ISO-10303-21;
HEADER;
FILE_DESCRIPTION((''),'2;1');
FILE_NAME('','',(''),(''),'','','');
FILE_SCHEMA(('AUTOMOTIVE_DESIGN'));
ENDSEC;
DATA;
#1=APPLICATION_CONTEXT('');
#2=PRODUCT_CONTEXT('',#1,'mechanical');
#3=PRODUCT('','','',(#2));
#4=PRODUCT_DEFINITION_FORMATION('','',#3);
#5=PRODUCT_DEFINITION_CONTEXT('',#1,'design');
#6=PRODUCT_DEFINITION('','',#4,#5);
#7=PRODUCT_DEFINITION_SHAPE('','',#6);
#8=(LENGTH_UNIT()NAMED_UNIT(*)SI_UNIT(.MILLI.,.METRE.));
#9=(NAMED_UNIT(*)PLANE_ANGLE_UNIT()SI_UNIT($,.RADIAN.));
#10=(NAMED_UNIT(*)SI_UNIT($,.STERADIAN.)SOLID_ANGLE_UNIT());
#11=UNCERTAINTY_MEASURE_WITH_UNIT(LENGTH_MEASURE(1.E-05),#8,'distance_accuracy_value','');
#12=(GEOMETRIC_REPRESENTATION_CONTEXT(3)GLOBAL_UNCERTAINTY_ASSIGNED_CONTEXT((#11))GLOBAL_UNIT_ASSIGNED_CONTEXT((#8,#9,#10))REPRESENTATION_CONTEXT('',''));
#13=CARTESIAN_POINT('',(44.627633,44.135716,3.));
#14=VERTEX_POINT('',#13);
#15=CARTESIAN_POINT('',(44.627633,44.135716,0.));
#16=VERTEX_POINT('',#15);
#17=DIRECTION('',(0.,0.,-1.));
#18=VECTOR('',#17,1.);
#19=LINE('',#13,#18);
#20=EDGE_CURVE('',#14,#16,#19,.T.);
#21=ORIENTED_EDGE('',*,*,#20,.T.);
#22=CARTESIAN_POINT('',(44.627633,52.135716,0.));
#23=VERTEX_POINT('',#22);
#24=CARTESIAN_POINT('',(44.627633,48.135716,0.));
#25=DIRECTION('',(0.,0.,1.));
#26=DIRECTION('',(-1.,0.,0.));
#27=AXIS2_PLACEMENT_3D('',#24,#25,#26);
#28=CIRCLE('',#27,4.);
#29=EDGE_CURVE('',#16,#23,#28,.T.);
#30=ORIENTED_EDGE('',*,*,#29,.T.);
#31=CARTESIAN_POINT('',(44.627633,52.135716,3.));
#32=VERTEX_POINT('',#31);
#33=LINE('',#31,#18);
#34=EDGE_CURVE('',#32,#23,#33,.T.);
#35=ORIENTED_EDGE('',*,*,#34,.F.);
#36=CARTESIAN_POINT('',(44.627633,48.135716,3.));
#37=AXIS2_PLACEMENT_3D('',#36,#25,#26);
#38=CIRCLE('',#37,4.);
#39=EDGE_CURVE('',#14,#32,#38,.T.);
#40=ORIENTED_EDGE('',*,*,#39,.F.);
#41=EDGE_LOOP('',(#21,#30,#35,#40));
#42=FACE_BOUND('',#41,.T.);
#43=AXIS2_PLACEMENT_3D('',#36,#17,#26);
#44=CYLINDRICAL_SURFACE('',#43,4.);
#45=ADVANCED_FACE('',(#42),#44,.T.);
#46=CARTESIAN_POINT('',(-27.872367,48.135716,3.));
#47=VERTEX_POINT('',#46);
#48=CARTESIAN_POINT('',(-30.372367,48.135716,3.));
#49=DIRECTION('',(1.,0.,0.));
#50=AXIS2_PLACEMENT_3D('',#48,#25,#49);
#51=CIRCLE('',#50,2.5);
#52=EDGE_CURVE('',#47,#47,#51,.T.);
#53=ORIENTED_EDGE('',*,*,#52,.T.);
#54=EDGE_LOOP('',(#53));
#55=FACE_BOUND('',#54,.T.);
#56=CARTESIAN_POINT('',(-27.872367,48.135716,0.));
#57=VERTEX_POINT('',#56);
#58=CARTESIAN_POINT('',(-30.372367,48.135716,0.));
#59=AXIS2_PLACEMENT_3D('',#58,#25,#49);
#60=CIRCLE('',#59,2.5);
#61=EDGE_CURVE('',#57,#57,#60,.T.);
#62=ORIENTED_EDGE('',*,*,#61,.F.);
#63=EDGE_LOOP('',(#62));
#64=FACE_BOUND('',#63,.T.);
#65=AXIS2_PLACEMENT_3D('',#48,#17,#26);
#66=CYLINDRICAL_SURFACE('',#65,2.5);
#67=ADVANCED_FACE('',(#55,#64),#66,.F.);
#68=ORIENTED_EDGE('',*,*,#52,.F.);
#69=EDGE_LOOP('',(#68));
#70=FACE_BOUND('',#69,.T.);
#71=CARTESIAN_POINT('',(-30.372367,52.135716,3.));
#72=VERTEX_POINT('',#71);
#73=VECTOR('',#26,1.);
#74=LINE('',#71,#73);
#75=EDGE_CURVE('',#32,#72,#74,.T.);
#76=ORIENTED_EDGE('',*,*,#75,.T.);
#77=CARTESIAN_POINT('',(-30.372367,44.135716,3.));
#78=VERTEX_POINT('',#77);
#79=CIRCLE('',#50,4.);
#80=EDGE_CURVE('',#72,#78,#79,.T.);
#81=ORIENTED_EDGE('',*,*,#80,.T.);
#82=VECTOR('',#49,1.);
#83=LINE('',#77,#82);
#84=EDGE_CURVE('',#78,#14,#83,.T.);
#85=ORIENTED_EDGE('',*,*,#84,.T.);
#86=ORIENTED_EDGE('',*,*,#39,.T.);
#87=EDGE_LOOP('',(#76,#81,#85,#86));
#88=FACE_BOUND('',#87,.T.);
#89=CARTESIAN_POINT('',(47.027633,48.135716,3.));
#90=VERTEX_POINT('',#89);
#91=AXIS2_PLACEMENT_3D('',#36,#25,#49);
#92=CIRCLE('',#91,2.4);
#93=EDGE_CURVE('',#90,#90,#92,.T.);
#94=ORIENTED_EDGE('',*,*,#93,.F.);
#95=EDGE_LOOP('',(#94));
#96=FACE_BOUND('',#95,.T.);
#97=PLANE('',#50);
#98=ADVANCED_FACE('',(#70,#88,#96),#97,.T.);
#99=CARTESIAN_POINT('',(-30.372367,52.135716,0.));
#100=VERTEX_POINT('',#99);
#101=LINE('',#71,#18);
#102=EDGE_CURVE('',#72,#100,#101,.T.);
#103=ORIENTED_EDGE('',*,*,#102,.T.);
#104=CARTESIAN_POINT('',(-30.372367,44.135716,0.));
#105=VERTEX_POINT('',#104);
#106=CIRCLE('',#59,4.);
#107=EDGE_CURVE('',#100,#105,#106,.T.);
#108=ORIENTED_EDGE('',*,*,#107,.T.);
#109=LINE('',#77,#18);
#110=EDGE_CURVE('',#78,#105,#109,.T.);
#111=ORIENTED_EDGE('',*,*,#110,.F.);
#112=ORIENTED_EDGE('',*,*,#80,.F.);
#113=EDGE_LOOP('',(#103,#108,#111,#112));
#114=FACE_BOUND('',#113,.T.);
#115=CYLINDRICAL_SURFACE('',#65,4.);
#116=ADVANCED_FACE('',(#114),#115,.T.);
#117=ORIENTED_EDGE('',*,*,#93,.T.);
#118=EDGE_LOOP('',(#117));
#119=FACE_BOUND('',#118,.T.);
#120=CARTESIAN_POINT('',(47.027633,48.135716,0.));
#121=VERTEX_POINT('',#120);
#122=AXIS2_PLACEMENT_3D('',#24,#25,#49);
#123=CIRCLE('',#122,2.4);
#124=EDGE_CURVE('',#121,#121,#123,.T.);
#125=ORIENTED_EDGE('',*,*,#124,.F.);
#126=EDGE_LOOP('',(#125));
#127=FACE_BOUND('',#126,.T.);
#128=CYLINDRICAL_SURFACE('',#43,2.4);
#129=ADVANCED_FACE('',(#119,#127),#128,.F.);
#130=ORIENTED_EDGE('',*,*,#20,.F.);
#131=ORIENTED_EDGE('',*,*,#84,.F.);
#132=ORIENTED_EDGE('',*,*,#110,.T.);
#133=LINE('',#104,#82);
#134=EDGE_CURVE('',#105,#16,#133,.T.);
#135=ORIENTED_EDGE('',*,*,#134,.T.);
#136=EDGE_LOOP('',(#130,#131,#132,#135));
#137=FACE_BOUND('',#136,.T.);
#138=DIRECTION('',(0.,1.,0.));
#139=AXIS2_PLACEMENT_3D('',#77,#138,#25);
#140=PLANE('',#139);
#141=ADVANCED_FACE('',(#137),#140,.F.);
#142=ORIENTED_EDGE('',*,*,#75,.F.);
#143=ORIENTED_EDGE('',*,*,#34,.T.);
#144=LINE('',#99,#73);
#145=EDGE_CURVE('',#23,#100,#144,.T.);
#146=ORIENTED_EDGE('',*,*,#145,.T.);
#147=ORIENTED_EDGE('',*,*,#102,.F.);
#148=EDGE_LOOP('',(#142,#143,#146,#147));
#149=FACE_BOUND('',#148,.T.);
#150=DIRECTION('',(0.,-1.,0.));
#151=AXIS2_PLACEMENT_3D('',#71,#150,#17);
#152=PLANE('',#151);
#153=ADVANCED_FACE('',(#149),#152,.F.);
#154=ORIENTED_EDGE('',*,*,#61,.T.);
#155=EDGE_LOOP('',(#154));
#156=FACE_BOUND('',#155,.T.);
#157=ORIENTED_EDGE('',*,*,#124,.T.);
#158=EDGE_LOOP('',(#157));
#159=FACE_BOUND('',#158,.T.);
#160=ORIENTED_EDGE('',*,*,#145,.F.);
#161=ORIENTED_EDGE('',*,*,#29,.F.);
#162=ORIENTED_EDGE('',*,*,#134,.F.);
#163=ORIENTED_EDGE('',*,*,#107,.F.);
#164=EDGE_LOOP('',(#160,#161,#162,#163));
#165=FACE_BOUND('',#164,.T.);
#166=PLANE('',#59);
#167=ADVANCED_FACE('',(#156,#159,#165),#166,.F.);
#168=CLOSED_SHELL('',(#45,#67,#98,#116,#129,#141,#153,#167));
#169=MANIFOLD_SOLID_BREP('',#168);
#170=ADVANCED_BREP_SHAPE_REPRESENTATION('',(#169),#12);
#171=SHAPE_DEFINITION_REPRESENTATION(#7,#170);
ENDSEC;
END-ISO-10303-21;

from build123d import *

# Parameters (mm, degrees)
SKETCH1_R           = 2.5
SKETCH1_R_2         = 2.4
BOSS_EXTRUDE1_DEPTH = 3


with BuildPart() as part:
    # Sketch1 → Boss-Extrude1 (new body)
    with BuildSketch(Plane(origin=(0, 34.703080777, 0), x_dir=(1, 0, 0), z_dir=(0, 0, 1))):
        with BuildLine():
            Line((-30.372366657, 17.432635687), (44.627633343, 17.432635687))
            ThreePointArc((44.627633343, 17.432635687), (48.627633343, 13.432635687), (44.627633343, 9.432635687))
            Line((44.627633343, 9.432635687), (-30.372366657, 9.432635687))
            ThreePointArc((-30.372366657, 9.432635687), (-34.372366657, 13.432635687), (-30.372366657, 17.432635687))
        make_face()
        with Locations((-30.372366657, 13.432635687)):
            Circle(SKETCH1_R, mode=Mode.SUBTRACT)
        with Locations((44.627633343, 13.432635687)):
            Circle(SKETCH1_R_2, mode=Mode.SUBTRACT)
    extrude(amount=BOSS_EXTRUDE1_DEPTH)


solid = part.part
